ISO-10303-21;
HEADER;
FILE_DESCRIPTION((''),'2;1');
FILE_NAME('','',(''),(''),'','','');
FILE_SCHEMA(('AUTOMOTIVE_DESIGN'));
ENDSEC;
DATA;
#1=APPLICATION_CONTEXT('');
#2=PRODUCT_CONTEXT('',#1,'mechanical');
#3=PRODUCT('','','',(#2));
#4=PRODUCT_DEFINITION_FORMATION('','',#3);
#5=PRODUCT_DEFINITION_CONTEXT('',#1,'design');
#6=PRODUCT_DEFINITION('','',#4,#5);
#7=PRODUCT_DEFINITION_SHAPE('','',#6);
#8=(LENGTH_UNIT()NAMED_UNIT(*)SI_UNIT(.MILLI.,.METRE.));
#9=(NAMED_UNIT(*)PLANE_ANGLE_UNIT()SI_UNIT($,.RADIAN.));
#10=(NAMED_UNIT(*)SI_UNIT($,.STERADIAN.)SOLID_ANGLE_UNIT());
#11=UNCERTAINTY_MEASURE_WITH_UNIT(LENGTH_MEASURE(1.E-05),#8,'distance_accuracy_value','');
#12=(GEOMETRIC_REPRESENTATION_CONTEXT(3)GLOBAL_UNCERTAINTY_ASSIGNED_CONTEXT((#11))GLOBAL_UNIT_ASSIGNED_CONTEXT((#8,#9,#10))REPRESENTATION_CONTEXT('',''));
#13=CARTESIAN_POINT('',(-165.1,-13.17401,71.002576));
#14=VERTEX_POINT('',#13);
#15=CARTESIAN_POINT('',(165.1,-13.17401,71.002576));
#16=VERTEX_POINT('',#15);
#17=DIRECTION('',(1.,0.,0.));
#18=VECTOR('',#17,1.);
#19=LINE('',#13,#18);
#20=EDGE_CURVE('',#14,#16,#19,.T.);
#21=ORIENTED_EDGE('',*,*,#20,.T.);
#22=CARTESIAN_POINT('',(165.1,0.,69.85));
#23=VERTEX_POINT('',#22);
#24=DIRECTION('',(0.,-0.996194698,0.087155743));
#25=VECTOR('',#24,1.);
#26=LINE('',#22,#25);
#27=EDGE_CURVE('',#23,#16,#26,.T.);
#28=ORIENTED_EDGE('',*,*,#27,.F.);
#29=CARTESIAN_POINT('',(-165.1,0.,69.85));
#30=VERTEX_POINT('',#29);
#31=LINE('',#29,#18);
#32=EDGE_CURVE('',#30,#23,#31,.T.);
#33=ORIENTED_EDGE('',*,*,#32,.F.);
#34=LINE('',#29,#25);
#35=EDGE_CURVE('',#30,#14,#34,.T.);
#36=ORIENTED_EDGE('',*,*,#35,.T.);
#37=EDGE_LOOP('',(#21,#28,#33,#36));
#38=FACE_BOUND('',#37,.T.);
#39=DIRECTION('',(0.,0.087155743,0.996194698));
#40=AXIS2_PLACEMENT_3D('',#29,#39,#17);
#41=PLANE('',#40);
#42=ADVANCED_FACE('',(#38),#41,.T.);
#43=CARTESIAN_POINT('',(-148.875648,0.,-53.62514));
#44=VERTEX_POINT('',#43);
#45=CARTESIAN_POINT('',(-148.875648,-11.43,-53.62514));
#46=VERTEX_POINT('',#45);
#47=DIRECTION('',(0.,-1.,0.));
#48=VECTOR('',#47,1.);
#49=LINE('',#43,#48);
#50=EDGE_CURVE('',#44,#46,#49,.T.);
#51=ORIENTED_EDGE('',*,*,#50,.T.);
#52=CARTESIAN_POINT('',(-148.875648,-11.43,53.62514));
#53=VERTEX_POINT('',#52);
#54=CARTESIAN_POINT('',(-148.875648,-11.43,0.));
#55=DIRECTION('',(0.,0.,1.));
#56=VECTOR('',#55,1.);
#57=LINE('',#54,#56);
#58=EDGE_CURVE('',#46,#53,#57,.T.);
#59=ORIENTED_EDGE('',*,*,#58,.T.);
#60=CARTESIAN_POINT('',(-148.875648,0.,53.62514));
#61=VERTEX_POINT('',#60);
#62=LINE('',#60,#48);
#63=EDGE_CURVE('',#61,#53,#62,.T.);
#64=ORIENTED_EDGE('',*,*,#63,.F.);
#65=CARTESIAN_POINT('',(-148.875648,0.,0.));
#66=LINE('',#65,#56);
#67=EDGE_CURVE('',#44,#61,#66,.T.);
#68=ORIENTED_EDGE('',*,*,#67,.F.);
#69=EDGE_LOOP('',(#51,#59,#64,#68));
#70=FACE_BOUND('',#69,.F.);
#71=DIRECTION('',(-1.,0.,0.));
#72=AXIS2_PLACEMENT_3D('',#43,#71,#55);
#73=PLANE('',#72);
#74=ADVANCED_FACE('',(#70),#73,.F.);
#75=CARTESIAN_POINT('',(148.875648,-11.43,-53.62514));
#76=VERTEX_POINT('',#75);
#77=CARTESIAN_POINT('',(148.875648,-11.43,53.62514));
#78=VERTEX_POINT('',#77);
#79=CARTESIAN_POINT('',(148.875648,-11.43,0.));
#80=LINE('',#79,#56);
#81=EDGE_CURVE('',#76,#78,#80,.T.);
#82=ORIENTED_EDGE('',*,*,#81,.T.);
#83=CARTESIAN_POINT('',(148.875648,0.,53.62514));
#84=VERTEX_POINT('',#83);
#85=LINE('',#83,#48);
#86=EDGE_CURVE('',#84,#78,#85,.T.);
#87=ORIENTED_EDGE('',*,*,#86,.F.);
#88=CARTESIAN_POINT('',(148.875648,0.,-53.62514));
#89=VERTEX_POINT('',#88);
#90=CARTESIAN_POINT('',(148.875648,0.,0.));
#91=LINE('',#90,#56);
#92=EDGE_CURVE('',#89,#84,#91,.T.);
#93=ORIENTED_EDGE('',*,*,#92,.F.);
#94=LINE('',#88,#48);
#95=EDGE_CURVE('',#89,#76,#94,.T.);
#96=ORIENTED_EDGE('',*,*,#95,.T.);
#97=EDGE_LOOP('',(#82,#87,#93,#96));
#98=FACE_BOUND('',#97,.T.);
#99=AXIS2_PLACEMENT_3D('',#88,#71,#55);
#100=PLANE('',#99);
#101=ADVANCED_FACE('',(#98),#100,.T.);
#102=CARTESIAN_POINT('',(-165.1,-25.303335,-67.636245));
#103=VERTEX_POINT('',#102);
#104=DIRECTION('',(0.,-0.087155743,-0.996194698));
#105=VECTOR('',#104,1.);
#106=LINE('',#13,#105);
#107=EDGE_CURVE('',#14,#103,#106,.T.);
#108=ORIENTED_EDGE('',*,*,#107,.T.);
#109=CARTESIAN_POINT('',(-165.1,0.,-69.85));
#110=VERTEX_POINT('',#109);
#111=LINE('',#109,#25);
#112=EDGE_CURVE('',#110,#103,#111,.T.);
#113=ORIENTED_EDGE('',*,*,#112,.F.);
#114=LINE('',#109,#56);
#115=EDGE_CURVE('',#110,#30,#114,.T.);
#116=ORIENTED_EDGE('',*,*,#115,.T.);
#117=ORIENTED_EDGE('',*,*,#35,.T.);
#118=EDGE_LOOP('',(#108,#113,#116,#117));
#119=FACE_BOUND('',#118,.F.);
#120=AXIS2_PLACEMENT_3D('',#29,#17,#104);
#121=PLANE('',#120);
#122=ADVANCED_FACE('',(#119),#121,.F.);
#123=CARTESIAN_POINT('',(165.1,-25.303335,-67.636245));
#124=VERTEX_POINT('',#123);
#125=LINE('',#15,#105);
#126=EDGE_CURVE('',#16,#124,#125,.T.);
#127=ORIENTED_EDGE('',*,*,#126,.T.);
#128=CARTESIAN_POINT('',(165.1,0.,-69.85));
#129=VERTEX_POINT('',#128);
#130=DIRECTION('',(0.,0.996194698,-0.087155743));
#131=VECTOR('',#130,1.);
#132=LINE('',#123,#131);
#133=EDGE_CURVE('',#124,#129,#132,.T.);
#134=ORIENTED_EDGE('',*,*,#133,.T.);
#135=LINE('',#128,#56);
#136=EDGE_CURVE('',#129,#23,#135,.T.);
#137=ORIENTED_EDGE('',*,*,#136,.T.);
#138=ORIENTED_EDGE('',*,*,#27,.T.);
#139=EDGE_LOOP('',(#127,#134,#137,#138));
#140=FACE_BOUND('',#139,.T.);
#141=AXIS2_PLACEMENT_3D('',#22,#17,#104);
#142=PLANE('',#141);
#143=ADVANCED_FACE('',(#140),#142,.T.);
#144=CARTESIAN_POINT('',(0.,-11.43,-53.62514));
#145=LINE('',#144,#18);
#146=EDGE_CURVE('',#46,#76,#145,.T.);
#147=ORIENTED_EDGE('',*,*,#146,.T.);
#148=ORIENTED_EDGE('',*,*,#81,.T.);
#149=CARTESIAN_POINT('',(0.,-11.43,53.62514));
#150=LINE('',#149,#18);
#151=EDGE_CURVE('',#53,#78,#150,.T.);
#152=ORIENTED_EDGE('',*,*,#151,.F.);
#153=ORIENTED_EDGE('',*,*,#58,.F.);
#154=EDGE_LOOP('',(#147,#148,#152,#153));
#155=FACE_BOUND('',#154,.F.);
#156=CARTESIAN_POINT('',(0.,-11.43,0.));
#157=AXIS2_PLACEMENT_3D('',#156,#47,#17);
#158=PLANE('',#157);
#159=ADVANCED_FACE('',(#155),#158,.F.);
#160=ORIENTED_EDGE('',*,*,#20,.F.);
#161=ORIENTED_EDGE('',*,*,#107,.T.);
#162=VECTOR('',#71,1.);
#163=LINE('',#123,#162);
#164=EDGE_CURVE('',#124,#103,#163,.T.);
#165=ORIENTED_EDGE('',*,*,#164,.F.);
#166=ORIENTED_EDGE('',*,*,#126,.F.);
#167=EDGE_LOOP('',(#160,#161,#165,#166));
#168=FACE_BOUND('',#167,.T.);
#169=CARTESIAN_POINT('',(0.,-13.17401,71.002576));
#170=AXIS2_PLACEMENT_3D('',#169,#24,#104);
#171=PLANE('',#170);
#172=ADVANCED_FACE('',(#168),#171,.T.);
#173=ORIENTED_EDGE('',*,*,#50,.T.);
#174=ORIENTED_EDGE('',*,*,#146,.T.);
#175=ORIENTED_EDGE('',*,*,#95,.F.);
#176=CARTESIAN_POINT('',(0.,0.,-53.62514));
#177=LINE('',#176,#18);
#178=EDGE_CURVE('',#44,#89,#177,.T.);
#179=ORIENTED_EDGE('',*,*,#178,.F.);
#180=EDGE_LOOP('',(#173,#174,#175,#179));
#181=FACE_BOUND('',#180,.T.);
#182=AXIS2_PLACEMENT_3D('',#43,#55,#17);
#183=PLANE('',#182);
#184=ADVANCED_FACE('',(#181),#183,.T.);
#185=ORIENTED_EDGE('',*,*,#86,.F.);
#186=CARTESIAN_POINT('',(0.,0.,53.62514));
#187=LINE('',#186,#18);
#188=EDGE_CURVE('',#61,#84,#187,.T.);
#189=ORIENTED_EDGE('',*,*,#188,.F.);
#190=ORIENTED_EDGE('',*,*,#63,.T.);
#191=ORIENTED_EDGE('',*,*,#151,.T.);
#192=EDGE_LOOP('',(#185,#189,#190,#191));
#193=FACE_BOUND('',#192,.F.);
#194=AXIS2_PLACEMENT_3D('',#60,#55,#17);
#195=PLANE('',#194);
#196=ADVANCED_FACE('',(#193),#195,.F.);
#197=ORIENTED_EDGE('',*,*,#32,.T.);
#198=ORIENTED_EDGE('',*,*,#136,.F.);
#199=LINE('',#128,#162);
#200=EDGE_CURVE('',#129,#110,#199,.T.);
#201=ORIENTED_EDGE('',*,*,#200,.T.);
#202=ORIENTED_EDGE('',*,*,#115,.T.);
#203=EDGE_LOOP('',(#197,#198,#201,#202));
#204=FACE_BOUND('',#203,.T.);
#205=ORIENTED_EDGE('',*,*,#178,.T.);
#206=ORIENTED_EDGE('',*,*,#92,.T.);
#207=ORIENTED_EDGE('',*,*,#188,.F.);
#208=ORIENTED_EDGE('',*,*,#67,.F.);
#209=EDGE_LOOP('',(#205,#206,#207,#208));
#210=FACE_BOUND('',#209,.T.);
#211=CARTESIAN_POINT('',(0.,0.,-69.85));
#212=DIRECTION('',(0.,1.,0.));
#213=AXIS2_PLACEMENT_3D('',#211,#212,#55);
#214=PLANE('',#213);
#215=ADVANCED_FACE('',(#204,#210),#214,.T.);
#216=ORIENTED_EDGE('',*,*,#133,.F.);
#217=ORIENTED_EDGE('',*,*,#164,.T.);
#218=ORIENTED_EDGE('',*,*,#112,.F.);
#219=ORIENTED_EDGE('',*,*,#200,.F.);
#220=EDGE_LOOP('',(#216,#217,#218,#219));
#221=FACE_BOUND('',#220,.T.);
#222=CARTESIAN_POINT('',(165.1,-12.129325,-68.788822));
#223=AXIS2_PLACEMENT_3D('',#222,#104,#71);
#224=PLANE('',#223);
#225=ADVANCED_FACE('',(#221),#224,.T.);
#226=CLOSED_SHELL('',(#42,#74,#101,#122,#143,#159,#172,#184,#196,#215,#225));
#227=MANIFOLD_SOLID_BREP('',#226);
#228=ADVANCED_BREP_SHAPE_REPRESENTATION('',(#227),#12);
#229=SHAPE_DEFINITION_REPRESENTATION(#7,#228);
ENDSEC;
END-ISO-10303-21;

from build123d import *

# Parameters (mm, degrees)
F2_DEPTH      = 165.1
F2_DEPTH_BACK = 165.1
F3_DEPTH      = 13.2243322
F0_W          = 297.7512968
F0_H          = 107.2502808
F0_W_2        = 287.2877414
F0_H_2        = 96.8048356
F4_DEPTH      = 11.43


with BuildPart() as f2:
    # F1 (on Right) → F2 (new body, two sides)
    with BuildSketch(Plane.YZ) as f2_sk:
        Polygon((0, -69.85), (0, 0), (0, 69.85), (-12.12932521, -68.7888215479), align=None)
    extrude(amount=F2_DEPTH)
    extrude(f2_sk.sketch, amount=-F2_DEPTH_BACK)

    # F3 (add): a face of the model
    f3_faces = [f2.faces().sort_by_distance(p)[0] for p in [
        (0, -6.064662605, 0.530589226),
    ]]
    extrude(f3_faces, amount=F3_DEPTH)

    # F0 (on Front) → F4 (cut)
    with BuildSketch(Plane.XZ):
        Rectangle(F0_W, F0_H)
        Rectangle(F0_W_2, F0_H_2, mode=Mode.SUBTRACT)
        Rectangle(F0_W_2, F0_H_2)
    extrude(amount=F4_DEPTH, mode=Mode.SUBTRACT)


solid = f2.part
